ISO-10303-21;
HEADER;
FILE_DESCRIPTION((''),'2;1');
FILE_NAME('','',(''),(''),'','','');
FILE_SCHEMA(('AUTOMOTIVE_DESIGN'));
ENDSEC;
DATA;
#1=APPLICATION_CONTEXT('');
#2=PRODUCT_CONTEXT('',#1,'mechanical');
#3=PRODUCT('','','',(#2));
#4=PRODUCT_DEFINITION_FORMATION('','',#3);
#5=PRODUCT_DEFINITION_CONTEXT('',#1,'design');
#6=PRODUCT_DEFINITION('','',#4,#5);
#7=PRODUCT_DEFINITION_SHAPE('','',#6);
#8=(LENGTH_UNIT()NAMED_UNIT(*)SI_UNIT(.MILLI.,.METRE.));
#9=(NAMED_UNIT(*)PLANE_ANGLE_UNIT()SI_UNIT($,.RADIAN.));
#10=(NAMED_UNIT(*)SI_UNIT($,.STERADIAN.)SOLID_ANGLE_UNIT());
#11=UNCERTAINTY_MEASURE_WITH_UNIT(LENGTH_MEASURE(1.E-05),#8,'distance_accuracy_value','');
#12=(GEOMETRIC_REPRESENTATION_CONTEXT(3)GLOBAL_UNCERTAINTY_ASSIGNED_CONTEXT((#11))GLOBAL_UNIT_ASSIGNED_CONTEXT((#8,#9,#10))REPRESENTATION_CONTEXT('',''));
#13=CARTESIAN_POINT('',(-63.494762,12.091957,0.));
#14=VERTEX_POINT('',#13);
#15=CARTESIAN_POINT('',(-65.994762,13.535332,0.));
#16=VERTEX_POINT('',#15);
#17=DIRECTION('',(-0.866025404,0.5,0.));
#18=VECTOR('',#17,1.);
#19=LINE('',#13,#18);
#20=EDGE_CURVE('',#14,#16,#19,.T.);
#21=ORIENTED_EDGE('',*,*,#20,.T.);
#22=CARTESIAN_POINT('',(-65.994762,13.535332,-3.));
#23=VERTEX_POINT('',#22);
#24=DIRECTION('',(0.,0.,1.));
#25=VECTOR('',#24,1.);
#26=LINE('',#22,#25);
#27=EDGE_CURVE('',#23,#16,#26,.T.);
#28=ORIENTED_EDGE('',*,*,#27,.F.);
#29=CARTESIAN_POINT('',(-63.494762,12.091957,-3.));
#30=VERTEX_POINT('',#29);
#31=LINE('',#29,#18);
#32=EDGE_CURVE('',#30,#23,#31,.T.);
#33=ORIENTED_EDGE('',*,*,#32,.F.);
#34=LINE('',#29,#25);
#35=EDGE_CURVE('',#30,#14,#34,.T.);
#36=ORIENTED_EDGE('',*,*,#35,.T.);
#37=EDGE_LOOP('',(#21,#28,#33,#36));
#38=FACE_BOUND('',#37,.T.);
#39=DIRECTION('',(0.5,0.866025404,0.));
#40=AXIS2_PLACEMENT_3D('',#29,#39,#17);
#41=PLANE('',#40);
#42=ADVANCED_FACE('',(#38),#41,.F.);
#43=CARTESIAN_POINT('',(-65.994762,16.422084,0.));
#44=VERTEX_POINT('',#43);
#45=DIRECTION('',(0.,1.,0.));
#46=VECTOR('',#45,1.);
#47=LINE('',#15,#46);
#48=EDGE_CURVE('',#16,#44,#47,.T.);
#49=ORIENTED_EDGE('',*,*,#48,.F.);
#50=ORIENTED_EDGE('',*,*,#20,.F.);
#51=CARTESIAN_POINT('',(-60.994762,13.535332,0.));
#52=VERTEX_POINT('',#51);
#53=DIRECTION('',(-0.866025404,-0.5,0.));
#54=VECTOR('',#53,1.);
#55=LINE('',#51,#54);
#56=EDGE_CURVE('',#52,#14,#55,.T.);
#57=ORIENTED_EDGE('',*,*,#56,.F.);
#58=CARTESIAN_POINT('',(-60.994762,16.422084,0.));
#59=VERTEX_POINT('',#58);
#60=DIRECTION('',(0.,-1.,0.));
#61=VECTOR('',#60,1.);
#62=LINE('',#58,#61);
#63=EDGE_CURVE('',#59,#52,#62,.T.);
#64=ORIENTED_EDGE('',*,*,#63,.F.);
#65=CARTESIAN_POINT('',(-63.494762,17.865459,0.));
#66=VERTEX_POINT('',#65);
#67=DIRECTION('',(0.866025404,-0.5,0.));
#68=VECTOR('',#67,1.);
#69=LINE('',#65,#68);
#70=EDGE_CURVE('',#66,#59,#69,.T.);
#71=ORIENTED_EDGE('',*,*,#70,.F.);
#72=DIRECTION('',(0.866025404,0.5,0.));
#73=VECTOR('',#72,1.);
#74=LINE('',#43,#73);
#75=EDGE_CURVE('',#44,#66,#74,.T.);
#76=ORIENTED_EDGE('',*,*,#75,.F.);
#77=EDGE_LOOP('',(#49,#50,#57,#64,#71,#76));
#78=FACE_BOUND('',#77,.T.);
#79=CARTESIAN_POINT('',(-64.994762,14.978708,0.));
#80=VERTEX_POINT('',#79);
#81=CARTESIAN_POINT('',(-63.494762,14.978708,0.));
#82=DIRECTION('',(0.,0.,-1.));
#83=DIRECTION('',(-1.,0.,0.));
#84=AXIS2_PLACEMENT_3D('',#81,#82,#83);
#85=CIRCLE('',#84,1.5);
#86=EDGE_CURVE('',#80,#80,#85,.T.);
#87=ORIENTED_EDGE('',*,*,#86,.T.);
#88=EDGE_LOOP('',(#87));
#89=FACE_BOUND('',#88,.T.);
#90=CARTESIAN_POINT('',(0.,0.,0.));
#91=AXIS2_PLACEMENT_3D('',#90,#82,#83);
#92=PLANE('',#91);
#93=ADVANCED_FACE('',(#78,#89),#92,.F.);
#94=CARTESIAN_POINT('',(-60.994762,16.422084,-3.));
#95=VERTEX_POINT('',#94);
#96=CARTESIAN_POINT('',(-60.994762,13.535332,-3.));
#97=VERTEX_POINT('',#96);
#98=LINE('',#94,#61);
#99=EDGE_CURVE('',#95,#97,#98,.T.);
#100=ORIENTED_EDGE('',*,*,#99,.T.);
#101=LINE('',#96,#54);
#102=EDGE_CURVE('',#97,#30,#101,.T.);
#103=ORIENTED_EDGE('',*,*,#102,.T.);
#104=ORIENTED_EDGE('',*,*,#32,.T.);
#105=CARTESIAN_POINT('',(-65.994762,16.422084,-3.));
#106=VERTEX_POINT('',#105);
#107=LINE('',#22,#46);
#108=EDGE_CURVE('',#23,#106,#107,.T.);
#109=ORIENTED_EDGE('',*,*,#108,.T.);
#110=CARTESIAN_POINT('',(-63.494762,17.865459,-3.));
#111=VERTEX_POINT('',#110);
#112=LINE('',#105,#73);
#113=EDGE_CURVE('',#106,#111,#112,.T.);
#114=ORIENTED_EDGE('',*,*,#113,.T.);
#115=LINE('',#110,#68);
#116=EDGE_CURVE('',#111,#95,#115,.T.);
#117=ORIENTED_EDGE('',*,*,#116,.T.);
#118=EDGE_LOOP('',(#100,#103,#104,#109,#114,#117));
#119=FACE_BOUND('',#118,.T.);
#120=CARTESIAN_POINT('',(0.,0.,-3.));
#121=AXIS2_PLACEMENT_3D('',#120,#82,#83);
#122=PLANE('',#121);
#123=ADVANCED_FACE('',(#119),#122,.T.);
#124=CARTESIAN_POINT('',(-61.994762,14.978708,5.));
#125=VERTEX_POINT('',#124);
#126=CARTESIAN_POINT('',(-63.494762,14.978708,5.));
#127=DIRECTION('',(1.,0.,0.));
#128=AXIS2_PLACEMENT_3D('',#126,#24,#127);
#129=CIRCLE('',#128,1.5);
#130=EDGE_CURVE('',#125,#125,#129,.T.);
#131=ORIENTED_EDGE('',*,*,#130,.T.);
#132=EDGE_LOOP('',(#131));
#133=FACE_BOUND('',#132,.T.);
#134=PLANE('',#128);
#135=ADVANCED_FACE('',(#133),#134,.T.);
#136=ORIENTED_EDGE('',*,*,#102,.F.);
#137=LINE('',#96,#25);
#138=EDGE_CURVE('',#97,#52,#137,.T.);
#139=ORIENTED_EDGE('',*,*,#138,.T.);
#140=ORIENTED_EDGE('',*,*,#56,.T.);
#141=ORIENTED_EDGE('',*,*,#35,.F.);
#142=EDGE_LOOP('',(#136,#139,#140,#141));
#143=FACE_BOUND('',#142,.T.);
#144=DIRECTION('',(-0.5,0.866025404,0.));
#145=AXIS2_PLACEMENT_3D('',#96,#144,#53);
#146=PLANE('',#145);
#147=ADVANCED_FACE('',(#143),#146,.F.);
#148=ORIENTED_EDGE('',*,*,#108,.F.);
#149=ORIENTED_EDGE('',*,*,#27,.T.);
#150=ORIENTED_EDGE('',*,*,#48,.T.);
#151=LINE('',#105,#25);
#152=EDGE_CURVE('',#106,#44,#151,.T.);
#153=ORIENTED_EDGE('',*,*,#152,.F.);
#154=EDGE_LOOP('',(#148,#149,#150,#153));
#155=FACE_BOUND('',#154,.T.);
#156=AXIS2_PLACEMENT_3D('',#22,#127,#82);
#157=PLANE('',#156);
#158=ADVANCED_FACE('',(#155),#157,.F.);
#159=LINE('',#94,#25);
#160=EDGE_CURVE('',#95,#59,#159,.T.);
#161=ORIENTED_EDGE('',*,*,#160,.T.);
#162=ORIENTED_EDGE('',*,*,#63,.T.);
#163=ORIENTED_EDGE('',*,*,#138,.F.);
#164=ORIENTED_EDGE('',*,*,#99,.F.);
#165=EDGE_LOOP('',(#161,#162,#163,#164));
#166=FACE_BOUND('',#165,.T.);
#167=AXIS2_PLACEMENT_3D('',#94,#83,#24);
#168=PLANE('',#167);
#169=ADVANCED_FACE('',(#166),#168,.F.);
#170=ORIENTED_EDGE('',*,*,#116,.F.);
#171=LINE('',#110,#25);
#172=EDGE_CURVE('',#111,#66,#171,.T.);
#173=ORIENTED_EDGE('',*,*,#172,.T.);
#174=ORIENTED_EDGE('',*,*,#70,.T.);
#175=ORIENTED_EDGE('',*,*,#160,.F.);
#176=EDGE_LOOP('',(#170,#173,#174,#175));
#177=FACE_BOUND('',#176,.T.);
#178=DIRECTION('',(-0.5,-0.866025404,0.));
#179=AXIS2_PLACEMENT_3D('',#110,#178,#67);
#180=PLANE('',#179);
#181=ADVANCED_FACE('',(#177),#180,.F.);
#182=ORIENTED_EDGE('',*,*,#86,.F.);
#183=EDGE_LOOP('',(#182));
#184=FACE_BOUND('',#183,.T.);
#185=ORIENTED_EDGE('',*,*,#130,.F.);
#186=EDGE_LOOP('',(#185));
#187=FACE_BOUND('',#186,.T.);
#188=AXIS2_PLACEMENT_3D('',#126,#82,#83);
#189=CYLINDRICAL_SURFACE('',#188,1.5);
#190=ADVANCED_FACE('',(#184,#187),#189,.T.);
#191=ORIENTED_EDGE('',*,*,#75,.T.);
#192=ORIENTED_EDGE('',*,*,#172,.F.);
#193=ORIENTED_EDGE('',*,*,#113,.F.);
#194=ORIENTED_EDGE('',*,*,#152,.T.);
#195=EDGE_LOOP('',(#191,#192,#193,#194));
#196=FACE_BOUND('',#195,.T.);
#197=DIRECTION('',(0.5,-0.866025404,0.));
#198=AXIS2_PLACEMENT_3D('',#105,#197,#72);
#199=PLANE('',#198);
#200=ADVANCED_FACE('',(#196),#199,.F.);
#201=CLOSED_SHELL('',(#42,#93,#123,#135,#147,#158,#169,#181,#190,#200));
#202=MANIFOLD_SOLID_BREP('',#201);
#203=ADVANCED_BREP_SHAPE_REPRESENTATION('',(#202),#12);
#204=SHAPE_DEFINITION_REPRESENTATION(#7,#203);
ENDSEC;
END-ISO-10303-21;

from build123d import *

# Parameters (mm, degrees)
SKETCH1_R           = 1.5
BOSS_EXTRUDE1_DEPTH = 5
BOSS_EXTRUDE2_DEPTH = 3


with BuildPart() as part:
    # Sketch1 → Boss-Extrude1 (new body)
    with BuildSketch(Plane.XY):
        with Locations((-63.49476159, 14.978708134)):
            Circle(SKETCH1_R)
    extrude(amount=BOSS_EXTRUDE1_DEPTH)

    # Sketch2 → Boss-Extrude2 (add)
    with BuildSketch(Plane(origin=(0, 0, 0), x_dir=(-1, 0, 0), z_dir=(0, 0, -1))):
        Polygon((63.49476159, 12.091956788), (65.99476159, 13.535332461), (65.99476159, 16.422083807), (63.49476159, 17.86545948), (60.99476159, 16.422083807), (60.99476159, 13.535332461), align=None)
    extrude(amount=BOSS_EXTRUDE2_DEPTH)


solid = part.part
